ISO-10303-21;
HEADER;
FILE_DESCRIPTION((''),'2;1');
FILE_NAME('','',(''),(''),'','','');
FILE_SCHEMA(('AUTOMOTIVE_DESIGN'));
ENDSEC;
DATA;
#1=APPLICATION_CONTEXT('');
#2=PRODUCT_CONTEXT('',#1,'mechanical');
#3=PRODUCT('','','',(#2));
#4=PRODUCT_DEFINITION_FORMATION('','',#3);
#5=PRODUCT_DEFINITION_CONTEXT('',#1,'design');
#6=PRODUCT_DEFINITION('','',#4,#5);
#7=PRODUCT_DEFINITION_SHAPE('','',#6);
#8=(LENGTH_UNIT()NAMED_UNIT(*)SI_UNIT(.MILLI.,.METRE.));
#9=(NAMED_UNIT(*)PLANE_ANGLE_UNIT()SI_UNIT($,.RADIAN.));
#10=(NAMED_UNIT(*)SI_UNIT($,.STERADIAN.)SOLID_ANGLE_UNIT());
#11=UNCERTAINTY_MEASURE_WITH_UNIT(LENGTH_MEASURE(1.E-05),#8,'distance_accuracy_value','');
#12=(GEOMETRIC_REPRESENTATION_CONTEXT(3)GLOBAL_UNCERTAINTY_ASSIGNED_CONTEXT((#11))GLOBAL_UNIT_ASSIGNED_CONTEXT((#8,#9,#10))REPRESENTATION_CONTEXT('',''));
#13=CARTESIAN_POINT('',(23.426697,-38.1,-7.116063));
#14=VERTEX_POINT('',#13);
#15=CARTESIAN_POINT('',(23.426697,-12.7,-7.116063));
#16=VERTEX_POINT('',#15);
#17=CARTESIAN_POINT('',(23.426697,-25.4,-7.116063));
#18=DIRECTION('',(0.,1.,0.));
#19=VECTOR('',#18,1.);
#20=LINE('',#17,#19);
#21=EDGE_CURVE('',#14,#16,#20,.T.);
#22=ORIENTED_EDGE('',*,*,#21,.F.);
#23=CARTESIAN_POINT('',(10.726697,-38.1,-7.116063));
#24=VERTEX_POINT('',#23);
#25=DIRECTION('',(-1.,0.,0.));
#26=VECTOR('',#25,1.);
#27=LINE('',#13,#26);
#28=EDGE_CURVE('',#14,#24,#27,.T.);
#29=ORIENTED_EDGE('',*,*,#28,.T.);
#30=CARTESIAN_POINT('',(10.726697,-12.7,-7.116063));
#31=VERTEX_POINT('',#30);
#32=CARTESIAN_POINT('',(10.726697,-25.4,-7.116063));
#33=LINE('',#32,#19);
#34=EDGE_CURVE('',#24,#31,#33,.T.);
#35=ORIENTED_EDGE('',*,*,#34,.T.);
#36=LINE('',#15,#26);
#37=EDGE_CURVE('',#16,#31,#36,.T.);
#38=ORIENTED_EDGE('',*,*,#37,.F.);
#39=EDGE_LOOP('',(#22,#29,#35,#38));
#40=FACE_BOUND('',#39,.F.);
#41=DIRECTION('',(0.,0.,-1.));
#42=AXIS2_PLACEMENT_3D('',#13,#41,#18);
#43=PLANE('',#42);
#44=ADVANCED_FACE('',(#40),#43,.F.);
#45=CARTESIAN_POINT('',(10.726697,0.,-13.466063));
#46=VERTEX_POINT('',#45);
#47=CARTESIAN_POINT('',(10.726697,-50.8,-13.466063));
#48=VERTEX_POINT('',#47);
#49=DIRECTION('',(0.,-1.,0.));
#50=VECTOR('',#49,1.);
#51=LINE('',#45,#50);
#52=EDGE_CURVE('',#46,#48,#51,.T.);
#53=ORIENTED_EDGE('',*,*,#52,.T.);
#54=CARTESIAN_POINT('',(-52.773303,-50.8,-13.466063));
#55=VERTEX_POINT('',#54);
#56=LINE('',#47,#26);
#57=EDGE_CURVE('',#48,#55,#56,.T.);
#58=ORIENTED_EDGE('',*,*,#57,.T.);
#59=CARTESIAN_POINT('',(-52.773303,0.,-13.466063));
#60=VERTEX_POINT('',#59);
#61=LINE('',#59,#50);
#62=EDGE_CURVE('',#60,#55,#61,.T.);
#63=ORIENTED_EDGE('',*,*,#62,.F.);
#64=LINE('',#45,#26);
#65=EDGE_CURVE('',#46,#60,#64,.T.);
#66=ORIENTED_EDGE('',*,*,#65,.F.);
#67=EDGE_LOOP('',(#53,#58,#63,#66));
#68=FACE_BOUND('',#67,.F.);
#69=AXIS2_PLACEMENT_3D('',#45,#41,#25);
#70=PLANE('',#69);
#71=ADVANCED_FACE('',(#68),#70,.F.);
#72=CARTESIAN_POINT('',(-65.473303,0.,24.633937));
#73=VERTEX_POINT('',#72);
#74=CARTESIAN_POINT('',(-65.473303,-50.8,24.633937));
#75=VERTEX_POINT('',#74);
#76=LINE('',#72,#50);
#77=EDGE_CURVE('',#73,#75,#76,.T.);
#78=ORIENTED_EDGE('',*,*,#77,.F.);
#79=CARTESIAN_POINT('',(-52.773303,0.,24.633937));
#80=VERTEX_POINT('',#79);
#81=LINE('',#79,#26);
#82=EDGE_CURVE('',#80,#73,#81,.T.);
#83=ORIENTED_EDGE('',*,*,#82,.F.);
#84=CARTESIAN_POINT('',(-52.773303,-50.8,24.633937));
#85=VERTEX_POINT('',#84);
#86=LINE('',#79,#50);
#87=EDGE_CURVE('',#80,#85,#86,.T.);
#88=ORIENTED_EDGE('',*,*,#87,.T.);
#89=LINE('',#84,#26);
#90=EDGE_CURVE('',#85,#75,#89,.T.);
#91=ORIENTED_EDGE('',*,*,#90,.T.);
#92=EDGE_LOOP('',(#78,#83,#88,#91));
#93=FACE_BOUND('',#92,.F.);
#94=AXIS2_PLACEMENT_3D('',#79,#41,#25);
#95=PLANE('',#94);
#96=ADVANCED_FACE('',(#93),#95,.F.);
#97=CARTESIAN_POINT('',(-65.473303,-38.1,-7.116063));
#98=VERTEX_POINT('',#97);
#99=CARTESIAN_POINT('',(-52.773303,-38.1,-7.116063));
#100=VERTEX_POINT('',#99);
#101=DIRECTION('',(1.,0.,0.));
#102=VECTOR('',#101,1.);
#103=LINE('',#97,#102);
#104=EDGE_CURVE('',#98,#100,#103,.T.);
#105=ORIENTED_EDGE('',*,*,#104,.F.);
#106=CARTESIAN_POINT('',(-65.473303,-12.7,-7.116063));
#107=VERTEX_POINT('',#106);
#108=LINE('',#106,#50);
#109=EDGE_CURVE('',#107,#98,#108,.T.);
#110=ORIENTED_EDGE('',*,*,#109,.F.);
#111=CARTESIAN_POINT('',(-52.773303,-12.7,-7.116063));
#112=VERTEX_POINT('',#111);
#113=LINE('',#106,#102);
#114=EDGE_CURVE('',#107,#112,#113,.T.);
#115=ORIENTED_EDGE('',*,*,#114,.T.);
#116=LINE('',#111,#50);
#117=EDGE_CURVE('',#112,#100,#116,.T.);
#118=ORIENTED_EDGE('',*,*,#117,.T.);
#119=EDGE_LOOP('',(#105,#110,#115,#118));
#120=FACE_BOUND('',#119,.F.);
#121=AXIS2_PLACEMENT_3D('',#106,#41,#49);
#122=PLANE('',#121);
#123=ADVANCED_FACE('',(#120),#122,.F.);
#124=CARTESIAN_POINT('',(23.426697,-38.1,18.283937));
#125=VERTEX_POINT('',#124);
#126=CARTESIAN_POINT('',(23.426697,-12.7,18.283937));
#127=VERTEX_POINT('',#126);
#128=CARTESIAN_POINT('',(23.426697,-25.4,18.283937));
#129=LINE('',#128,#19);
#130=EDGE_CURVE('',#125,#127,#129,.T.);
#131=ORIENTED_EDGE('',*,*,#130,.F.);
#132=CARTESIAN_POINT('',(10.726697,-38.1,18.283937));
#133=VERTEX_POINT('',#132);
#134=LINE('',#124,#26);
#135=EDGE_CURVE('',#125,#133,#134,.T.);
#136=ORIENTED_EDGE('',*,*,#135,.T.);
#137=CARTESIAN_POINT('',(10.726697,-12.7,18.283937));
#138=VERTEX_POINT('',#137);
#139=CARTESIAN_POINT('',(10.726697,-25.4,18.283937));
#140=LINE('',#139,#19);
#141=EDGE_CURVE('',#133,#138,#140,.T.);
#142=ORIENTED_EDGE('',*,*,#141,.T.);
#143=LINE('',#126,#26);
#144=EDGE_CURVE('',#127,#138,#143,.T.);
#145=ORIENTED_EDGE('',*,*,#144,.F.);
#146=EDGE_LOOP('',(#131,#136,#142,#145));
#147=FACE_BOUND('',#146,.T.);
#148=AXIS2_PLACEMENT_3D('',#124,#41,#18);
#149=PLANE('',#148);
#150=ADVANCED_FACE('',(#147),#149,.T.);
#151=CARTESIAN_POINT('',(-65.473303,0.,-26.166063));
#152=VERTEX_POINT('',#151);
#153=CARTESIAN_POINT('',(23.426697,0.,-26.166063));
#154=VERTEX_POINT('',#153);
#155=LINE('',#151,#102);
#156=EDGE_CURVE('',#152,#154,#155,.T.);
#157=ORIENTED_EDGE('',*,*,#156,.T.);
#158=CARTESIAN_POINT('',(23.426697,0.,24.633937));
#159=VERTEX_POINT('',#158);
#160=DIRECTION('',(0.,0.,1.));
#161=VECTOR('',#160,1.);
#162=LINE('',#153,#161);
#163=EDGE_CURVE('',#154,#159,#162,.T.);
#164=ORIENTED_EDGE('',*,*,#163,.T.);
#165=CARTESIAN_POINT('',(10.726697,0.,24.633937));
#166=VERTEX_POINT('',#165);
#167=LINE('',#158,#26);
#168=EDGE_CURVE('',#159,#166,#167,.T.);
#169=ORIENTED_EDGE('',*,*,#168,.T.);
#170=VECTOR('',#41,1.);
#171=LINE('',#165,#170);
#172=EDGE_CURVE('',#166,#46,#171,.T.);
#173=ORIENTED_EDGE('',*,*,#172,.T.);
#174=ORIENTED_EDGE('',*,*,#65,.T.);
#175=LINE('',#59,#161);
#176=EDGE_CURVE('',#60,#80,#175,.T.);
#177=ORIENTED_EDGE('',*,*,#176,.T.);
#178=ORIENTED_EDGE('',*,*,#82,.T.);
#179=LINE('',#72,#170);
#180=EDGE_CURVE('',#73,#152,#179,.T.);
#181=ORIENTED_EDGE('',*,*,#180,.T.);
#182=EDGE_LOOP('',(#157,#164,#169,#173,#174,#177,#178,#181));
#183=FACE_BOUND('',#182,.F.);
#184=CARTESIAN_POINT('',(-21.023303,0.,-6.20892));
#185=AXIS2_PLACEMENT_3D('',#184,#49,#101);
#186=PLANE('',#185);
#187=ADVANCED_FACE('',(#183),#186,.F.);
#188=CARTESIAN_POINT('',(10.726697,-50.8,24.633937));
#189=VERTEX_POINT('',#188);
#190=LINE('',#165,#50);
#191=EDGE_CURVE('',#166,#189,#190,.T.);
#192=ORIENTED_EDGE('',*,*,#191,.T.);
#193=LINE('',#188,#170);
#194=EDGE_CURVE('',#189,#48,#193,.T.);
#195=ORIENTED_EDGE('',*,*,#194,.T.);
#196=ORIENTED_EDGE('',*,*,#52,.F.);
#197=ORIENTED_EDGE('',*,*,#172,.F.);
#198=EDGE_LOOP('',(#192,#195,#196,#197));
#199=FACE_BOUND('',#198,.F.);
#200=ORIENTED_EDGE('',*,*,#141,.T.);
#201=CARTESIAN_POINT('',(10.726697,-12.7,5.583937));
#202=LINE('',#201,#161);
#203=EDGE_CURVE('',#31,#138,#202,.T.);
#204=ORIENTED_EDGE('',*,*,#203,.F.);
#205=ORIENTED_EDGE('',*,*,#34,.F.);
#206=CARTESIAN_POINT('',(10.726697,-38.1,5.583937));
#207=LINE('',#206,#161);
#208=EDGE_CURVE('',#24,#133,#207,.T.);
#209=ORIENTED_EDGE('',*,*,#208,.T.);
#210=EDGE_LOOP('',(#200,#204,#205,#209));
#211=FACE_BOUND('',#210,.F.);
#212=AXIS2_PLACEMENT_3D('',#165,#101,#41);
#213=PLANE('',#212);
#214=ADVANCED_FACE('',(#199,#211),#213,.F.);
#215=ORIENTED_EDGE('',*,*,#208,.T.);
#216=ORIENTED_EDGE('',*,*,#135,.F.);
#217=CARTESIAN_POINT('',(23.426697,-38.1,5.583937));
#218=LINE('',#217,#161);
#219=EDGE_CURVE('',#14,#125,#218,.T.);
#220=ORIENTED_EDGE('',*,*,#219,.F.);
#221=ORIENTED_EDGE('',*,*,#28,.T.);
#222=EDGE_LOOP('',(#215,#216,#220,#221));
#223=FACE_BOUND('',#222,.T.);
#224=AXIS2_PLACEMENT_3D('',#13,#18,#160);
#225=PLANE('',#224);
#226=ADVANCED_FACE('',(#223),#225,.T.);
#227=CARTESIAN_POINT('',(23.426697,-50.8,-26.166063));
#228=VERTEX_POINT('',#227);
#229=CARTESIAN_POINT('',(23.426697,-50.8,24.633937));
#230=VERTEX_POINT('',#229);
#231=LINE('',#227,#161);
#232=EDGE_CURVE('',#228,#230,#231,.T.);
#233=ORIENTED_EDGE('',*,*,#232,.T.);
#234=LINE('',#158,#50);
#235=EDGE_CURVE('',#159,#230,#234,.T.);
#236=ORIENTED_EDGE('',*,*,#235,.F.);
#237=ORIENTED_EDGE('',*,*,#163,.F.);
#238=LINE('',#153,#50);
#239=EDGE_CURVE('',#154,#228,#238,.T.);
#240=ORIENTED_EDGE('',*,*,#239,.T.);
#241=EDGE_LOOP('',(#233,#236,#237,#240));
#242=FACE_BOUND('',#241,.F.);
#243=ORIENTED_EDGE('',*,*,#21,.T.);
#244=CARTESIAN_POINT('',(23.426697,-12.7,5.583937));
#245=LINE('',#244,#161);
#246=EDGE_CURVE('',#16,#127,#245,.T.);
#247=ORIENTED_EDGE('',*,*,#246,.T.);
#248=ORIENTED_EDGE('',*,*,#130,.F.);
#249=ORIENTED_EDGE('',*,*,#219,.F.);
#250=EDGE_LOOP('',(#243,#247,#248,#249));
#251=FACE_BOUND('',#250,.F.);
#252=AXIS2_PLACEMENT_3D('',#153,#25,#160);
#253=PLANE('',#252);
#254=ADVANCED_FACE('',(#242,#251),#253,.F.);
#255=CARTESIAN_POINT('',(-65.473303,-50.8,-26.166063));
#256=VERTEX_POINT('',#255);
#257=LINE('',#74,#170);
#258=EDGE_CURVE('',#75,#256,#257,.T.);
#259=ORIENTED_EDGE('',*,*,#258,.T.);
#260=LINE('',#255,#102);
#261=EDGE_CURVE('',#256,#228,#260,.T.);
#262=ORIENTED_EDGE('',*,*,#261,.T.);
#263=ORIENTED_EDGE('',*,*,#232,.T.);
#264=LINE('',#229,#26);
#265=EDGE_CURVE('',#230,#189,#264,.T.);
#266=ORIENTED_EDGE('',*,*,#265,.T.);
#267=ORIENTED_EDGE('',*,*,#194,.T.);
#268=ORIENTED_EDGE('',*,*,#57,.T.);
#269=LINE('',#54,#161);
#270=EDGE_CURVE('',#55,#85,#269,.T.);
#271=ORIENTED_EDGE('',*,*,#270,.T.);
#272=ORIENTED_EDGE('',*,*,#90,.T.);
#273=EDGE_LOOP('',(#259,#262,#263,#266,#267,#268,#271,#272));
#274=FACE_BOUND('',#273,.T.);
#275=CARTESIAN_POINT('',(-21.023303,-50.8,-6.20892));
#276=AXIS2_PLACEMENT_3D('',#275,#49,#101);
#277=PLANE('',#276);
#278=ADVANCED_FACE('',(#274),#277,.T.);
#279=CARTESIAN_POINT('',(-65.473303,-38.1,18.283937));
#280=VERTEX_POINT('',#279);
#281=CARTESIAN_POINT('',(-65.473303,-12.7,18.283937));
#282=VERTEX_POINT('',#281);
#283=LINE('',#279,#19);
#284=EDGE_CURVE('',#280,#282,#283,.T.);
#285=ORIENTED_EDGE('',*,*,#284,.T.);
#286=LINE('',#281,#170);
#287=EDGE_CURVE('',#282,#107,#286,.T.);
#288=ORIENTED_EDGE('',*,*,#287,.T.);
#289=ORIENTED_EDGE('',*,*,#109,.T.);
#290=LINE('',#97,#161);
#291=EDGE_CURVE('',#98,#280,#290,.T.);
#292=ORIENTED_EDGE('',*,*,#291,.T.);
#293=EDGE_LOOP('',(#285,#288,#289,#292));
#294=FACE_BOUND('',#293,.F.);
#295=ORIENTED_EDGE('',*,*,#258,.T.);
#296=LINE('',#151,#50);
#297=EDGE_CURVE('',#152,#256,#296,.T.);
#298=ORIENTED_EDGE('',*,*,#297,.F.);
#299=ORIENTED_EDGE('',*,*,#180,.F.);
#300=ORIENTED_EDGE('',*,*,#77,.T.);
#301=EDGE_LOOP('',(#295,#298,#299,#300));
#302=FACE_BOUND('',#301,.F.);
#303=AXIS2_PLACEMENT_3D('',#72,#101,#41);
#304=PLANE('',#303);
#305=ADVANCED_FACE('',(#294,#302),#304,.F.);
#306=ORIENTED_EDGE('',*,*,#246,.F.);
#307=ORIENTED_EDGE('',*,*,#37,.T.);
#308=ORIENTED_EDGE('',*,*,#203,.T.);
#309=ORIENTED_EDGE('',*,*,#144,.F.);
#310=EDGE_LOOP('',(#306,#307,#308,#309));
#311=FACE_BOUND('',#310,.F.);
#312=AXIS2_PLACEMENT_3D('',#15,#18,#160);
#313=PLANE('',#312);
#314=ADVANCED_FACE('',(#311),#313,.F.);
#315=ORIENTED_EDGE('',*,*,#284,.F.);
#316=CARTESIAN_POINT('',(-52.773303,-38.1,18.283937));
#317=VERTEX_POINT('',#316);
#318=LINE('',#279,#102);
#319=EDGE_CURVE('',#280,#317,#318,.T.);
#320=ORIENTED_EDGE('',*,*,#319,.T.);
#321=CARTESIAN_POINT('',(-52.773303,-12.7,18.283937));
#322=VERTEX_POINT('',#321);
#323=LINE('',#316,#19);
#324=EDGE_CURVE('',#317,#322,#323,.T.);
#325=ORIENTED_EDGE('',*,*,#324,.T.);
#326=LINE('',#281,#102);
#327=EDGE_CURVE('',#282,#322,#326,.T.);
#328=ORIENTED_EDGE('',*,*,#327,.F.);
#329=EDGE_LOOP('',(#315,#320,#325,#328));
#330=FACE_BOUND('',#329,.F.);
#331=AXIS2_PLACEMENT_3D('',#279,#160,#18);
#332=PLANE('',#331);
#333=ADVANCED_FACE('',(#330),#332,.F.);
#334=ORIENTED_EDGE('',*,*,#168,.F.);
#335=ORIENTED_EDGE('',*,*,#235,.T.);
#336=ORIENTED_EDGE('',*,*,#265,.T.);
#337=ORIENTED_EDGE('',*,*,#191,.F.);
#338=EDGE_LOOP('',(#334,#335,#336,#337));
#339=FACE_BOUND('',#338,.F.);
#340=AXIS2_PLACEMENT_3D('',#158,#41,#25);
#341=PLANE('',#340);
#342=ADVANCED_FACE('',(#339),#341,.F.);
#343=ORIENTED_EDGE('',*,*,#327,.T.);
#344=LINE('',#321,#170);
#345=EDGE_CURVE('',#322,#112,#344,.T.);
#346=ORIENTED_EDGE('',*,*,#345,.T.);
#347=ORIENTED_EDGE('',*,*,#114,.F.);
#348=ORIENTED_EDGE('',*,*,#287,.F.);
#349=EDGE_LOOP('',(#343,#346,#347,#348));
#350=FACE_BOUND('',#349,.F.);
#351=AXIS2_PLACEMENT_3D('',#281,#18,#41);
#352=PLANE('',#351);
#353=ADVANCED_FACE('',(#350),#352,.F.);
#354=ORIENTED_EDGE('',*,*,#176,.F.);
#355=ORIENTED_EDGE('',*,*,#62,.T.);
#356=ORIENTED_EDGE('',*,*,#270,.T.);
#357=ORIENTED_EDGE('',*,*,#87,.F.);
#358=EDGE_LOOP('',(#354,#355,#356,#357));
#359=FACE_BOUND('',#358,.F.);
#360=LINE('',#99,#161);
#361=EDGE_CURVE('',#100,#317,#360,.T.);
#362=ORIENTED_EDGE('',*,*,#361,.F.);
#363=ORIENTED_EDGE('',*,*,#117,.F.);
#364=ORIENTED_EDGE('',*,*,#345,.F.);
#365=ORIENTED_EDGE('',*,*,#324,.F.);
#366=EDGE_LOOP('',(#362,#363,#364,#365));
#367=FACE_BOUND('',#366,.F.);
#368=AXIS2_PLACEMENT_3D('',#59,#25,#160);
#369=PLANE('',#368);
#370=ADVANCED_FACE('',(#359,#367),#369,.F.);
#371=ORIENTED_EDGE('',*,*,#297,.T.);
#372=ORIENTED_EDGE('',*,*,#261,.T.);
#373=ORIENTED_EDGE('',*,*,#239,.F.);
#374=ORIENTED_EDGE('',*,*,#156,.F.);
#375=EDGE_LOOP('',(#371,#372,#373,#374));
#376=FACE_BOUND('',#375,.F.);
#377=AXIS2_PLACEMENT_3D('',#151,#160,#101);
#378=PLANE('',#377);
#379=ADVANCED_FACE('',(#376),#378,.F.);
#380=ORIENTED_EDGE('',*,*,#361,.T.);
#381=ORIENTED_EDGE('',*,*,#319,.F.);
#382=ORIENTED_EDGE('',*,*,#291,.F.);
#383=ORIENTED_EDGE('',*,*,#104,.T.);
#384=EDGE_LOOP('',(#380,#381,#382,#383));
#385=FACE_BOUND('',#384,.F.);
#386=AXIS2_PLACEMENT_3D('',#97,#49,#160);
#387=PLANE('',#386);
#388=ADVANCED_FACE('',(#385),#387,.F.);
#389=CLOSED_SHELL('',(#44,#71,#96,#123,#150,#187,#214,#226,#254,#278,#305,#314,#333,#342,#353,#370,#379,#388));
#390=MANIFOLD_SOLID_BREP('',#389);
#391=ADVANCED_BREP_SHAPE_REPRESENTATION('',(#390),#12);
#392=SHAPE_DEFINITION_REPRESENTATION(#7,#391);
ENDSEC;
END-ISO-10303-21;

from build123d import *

# Parameters (mm, degrees)
F2_DEPTH = 50.8
F3_W     = 25.4
F3_H     = 25.4
F4_DEPTH = 12.7
F6_DEPTH = 12.7


with BuildPart() as f2:
    # F0 (on Front) → F2 (new body)
    with BuildSketch(Plane.XZ):
        Polygon((-52.773303, 24.633937), (-65.473303, 24.633937), (-65.473303, -26.166063), (23.426697, -26.166063), (23.426697, 24.633937), (10.726697, 24.633937), (10.726697, -13.466063), (-52.773303, -13.466063), align=None)
    extrude(amount=F2_DEPTH)

    # F3 (on face) → F4 (cut)
    with BuildSketch(Plane.YZ.offset(23.426697)):
        with Locations((-25.4, 5.583937)):
            Rectangle(F3_W, F3_H)
    extrude(amount=-F4_DEPTH, mode=Mode.SUBTRACT)

    # F5 (on face) → F6 (cut)
    with BuildSketch(Plane(origin=(-65.473303, 0, 0), x_dir=(0, -1, 0), z_dir=(-1, 0, 0))):
        Polygon((38.1, 18.283937), (12.7, 18.283937), (12.7, 5.583937), (12.7, -7.116063), (25.4, -7.116063), (38.1, -7.116063), align=None)
    extrude(amount=-F6_DEPTH, mode=Mode.SUBTRACT)


solid = f2.part
